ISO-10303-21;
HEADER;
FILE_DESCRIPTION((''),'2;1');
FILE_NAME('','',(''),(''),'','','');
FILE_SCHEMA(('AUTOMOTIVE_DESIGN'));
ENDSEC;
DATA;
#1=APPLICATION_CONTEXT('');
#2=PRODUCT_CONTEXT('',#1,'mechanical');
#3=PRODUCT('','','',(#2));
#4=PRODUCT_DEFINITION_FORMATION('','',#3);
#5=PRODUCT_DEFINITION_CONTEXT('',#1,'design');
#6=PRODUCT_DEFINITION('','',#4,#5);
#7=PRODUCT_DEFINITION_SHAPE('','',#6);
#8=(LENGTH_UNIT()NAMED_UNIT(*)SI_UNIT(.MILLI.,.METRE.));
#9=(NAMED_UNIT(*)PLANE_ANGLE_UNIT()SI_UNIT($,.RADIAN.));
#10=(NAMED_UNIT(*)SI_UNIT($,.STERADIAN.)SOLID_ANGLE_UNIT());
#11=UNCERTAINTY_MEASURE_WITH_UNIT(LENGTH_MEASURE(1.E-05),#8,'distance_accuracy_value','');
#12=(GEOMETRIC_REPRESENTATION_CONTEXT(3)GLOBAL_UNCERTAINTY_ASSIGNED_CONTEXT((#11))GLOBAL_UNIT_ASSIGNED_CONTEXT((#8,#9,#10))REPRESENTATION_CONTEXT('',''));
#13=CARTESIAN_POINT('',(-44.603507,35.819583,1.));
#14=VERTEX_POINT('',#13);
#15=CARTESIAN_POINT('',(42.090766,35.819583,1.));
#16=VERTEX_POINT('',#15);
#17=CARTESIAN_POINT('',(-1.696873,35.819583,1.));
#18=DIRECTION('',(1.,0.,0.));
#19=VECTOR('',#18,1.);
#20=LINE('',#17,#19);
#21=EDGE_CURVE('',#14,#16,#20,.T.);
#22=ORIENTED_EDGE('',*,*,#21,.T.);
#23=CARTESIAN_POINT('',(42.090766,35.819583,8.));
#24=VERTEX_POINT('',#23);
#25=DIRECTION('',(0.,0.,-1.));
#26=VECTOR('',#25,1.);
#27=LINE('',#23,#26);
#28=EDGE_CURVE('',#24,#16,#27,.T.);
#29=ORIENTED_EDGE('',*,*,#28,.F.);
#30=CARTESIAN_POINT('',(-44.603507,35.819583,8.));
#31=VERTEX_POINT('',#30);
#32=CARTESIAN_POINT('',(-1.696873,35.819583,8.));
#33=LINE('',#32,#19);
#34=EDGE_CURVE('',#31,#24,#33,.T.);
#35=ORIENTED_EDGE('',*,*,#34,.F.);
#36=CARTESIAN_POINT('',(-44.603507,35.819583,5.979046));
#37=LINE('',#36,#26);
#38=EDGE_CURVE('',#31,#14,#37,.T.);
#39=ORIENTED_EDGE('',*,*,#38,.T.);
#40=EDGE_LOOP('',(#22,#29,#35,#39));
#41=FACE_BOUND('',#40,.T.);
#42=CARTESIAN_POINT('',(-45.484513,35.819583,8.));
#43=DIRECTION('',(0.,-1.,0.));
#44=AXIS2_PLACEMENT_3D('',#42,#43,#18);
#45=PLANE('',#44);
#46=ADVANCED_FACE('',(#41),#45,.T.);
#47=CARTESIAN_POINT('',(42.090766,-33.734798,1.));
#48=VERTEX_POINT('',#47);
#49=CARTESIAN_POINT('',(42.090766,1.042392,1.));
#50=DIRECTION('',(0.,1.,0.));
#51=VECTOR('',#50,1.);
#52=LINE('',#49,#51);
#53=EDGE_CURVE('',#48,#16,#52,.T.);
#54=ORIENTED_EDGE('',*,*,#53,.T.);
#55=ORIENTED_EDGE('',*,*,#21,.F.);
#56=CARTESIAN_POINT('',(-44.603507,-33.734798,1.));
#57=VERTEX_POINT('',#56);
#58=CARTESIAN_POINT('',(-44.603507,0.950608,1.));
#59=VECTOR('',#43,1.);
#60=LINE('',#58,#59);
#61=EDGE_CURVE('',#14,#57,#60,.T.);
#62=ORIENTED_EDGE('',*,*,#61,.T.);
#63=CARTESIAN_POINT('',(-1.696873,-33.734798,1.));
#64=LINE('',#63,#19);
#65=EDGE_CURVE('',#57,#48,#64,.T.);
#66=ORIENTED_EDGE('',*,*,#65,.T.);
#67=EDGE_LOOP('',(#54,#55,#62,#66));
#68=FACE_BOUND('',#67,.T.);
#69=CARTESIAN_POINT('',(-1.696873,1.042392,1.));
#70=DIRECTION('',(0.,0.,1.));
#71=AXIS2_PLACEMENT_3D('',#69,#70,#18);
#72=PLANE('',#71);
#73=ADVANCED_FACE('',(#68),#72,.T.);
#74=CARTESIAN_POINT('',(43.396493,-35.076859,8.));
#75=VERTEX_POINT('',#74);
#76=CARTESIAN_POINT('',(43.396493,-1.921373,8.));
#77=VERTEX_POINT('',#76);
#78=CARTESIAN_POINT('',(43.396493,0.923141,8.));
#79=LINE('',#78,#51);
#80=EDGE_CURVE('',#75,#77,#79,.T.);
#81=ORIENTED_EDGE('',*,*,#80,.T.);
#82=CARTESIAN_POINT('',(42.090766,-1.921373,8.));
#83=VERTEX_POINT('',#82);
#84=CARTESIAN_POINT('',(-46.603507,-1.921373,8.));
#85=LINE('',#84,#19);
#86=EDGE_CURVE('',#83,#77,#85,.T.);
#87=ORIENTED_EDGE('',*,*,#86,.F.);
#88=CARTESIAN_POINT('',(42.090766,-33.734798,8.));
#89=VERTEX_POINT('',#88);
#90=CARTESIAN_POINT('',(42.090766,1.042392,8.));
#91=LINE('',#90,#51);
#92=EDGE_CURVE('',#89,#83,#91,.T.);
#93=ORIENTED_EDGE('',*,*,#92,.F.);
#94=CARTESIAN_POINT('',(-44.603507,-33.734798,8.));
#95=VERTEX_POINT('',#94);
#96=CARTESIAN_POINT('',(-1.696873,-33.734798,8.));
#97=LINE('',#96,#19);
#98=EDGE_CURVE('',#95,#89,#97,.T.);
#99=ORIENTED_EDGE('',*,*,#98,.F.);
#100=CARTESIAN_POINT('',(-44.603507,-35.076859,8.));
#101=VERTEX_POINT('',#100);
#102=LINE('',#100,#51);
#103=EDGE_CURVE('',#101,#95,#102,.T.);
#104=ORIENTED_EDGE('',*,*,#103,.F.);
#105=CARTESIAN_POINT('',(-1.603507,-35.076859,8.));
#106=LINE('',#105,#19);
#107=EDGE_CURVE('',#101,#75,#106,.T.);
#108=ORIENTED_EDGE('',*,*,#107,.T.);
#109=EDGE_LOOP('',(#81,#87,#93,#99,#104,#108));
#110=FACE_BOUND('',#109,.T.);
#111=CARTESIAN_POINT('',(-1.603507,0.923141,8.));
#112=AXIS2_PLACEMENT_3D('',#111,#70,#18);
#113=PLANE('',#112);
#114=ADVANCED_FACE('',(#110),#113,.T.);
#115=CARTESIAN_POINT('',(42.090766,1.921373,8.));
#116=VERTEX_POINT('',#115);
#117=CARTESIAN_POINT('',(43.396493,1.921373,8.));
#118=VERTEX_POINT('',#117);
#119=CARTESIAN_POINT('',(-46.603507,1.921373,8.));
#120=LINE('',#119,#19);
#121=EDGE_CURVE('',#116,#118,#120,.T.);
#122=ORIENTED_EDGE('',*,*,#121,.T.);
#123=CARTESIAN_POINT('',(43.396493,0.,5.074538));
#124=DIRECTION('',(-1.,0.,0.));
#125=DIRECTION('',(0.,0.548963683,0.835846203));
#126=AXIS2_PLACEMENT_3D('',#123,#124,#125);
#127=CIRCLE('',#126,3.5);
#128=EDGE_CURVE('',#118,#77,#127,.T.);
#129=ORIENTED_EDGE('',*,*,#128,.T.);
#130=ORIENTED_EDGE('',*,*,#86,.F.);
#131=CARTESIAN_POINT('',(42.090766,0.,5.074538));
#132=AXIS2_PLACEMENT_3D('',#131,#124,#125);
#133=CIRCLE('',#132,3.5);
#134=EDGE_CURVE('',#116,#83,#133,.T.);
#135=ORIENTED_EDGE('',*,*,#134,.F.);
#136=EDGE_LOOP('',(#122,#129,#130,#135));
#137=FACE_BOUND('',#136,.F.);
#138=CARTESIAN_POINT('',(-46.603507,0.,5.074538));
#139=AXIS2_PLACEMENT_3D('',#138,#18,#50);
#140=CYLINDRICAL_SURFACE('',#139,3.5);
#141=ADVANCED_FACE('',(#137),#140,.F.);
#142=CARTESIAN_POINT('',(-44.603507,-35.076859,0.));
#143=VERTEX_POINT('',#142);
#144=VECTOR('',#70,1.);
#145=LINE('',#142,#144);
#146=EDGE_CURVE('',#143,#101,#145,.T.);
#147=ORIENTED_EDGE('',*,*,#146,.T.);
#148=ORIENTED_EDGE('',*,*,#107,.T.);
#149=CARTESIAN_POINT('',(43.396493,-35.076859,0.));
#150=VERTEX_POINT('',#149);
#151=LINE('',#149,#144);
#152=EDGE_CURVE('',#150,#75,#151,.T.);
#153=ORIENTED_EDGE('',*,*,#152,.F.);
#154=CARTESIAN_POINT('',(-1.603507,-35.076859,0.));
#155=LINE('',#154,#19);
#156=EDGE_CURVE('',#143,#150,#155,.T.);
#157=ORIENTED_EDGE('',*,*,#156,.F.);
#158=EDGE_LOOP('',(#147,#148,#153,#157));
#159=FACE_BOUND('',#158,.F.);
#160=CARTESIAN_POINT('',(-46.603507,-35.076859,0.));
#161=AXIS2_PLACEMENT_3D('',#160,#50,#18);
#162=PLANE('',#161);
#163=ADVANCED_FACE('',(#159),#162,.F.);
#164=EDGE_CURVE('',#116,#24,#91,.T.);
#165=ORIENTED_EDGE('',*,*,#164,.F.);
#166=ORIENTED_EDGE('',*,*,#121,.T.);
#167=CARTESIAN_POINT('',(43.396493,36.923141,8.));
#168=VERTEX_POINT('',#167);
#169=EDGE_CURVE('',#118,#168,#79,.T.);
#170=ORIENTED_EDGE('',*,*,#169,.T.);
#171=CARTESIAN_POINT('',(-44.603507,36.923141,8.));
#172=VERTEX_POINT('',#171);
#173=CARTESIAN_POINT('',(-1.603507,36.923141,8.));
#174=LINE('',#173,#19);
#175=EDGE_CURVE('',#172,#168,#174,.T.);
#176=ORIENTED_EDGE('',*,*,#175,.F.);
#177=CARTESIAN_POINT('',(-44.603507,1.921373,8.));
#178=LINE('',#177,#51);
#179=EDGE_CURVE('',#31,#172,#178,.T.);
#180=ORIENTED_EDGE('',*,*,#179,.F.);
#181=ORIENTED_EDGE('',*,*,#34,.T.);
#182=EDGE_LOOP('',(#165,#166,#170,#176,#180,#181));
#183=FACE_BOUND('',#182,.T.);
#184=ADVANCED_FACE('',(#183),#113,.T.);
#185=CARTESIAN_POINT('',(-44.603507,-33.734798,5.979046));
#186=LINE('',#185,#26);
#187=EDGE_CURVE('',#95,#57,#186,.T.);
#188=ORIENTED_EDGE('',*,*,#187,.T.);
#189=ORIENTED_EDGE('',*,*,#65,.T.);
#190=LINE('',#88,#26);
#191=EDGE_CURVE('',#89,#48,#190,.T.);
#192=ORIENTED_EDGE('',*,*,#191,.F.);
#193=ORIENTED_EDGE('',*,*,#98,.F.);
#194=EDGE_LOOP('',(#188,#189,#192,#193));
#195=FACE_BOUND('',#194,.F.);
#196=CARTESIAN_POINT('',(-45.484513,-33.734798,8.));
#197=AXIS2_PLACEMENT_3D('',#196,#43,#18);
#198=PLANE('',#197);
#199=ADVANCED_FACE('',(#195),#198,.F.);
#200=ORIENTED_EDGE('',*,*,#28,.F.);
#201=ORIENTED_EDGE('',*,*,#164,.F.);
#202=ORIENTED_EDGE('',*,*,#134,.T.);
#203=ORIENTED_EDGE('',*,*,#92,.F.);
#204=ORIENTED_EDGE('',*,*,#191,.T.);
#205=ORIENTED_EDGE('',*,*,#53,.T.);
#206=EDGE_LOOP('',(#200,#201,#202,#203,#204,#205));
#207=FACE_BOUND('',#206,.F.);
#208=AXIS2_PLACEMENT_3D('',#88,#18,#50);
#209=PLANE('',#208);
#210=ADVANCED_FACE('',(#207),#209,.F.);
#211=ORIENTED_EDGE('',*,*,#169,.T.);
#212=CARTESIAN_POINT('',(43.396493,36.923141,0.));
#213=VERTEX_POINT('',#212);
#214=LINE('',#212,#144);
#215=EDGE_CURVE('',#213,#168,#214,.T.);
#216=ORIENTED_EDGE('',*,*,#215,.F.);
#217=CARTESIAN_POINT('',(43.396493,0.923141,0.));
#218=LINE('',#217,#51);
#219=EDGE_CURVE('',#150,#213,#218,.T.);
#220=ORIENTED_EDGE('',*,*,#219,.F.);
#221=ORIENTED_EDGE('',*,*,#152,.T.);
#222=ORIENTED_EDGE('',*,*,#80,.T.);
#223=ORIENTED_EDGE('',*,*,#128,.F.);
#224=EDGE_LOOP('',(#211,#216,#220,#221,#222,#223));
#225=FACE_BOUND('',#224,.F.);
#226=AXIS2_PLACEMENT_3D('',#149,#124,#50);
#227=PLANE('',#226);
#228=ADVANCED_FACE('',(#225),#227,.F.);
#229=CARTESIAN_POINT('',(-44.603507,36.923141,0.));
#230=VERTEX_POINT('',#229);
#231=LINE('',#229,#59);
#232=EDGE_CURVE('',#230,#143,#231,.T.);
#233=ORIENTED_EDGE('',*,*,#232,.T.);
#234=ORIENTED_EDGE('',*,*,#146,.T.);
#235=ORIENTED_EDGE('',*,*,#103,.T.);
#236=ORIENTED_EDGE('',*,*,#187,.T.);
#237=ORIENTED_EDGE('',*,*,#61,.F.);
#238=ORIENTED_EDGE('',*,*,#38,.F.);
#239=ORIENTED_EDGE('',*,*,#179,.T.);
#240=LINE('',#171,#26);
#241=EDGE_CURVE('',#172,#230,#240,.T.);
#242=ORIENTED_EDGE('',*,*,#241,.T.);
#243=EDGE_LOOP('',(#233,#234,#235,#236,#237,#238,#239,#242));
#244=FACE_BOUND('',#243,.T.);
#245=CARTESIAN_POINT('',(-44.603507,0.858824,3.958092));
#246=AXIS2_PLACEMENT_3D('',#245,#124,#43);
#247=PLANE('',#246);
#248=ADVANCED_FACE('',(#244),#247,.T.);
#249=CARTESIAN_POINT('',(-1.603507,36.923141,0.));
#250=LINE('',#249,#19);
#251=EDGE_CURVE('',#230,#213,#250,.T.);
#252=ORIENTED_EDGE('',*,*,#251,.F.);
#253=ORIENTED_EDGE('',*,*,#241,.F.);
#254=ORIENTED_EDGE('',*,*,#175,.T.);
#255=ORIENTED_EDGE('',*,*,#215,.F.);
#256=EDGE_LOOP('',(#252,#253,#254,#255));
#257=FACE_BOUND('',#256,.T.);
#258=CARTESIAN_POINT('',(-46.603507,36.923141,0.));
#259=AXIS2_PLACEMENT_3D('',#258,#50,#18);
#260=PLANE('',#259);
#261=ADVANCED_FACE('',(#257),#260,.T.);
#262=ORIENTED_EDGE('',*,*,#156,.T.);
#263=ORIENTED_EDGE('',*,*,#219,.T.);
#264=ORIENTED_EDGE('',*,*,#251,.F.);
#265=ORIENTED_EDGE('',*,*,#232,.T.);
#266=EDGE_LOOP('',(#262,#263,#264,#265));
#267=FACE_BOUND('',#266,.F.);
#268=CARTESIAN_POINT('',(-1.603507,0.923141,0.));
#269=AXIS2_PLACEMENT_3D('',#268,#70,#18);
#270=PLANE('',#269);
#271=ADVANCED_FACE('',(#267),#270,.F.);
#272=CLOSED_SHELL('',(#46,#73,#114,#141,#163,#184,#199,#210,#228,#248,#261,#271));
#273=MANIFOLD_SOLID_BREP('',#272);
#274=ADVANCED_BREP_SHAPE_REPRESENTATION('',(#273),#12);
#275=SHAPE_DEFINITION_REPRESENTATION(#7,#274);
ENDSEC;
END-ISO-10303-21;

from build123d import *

# Parameters (mm, degrees)
F0_W           = 90
F0_H           = 72
F1_DEPTH       = 8
F2_W           = 87.5752791762
F2_H           = 69.5543810725
F3_DEPTH       = 7
F5_D           = 7
F5_CBORE_D     = 7
F5_CBORE_DEPTH = 1
F7_DEPTH       = 2


with BuildPart() as f1:
    # F0 (on Top) → F1 (new body)
    with BuildSketch(Plane.XY):
        with Locations((-1.6035065055, 0.9231414078)):
            Rectangle(F0_W, F0_H)
    extrude(amount=F1_DEPTH)

    # F2 (on face) → F3 (cut)
    with BuildSketch(Plane.XY.offset(8)):
        with Locations((-1.6968734562, 1.0423921049)):
            Rectangle(F2_W, F2_H)
    extrude(amount=-F3_DEPTH, mode=Mode.SUBTRACT)

    # F5 (through all)
    with Locations(Plane(origin=(-46.6035065055, 0, 0), x_dir=(0, -1, 0), z_dir=(-1, 0, 0))):
        with Locations((0, 5.0745382905)):
            CounterBoreHole(F5_D / 2, F5_CBORE_D / 2, F5_CBORE_DEPTH)

    # F6 (on face) → F7 (cut)
    with BuildSketch(Plane(origin=(-46.6035065055, 0, 0), x_dir=(0, -1, 0), z_dir=(-1, 0, 0))):
        with BuildLine():
            Line((-36.9231414078, 8), (-36.9231414078, 0))
            Line((-36.9231414078, 0), (35.0768585922, 0))
            Line((35.0768585922, 0), (35.0768585922, 8))
            Line((35.0768585922, 8), (1.921372891, 8))
            ThreePointArc((1.921372891, 8), (0, 1.5745382905), (-1.921372891, 8))
            Line((-1.921372891, 8), (-36.9231414078, 8))
        make_face()
    extrude(amount=-F7_DEPTH, mode=Mode.SUBTRACT)


solid = f1.part
